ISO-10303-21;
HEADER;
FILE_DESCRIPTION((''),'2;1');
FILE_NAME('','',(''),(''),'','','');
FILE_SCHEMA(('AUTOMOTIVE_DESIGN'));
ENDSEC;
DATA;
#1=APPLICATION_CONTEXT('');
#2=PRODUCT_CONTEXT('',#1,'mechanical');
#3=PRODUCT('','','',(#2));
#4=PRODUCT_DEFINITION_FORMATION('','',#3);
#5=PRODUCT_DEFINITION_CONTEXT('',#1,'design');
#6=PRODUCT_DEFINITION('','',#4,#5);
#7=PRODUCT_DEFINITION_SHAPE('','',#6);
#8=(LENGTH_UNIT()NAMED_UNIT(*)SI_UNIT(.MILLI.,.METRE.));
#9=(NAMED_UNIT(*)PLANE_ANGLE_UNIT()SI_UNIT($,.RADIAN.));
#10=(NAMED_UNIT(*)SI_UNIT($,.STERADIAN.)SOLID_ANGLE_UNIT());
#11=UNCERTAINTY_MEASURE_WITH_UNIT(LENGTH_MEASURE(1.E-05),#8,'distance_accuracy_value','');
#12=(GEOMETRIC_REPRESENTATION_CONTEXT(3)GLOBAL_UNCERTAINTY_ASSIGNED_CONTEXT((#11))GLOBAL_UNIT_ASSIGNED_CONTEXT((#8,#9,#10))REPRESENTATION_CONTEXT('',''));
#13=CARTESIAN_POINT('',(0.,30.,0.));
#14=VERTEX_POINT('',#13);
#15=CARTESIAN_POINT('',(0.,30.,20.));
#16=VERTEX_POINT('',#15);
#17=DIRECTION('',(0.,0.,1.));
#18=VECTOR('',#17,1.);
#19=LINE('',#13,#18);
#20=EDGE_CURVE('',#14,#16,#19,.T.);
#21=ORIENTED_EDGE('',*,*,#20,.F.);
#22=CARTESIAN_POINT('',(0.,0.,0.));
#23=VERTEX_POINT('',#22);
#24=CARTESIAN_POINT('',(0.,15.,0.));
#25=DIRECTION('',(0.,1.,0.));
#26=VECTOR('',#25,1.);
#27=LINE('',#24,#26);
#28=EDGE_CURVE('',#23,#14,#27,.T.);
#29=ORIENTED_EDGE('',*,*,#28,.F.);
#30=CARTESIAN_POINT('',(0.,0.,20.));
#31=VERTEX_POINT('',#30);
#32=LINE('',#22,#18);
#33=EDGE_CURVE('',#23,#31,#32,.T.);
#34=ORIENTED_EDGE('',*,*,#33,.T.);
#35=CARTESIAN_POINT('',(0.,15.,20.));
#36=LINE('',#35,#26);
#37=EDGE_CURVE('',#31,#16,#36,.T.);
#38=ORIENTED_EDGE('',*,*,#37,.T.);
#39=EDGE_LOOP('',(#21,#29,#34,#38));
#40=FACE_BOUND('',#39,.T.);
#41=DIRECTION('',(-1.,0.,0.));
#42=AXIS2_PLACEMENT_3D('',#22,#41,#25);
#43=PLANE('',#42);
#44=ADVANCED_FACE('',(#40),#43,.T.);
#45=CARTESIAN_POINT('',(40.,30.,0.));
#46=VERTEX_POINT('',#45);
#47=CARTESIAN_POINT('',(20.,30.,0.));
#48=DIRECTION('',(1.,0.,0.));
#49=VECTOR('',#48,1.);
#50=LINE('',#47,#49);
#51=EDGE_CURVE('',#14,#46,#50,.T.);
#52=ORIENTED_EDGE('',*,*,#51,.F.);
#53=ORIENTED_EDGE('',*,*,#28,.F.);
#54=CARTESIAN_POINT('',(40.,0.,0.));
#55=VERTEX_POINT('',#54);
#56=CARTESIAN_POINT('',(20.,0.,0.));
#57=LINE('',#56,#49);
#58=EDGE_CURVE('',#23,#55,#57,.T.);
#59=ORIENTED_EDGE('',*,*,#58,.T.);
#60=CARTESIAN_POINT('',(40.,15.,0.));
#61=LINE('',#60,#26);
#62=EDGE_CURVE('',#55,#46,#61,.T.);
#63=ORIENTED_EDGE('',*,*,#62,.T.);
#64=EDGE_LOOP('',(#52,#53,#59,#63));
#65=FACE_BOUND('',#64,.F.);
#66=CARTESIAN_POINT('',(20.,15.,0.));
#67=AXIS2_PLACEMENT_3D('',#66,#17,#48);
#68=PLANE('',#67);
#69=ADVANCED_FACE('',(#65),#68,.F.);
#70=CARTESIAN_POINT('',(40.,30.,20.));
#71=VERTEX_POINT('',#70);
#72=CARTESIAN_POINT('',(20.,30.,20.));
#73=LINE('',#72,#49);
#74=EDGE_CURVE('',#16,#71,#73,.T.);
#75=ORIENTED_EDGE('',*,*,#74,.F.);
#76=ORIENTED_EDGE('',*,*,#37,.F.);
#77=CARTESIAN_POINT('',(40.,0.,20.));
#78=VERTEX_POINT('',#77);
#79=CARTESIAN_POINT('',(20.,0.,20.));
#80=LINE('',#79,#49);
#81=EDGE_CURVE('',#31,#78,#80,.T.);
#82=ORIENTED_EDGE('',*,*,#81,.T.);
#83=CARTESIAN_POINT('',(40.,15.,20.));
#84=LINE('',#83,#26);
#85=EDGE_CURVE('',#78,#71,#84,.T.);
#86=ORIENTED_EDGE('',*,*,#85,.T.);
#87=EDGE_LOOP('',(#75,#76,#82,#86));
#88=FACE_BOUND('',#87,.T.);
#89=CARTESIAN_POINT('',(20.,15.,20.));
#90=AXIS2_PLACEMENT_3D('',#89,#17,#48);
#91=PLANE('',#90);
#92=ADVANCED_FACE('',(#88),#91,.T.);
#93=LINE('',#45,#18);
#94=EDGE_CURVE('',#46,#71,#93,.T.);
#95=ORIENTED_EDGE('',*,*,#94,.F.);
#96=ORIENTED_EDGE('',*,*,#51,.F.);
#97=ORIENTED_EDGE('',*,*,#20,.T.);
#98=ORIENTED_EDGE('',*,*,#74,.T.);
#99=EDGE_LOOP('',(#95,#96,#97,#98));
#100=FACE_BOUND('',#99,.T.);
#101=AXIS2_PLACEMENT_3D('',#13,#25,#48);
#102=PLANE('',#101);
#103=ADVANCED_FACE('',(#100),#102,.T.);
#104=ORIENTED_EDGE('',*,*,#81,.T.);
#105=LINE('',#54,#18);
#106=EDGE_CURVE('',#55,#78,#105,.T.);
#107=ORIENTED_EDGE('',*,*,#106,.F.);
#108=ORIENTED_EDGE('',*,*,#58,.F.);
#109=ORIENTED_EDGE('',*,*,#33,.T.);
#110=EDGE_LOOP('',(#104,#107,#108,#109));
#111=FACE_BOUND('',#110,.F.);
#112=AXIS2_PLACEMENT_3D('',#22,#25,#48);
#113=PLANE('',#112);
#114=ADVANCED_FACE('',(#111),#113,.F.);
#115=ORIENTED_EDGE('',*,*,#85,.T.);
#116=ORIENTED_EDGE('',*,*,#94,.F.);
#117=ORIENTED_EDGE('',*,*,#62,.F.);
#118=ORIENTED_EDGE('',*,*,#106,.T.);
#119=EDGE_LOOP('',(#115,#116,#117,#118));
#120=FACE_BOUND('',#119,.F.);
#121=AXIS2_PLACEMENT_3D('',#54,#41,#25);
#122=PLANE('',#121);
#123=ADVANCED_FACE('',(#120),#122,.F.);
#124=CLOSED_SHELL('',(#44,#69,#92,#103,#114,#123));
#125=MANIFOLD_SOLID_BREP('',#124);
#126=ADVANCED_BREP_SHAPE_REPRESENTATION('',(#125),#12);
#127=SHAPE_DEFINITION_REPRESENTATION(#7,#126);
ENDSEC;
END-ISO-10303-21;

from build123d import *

# Parameters (mm, degrees)
BOX_W     = 40
BOX_H     = 30
BOX_DEPTH = 20


with BuildPart() as part:
    # Box → Box (new body)
    with BuildSketch(Plane.XY):
        with Locations((20, 15)):
            Rectangle(BOX_W, BOX_H)
    extrude(amount=BOX_DEPTH)


solid = part.part
